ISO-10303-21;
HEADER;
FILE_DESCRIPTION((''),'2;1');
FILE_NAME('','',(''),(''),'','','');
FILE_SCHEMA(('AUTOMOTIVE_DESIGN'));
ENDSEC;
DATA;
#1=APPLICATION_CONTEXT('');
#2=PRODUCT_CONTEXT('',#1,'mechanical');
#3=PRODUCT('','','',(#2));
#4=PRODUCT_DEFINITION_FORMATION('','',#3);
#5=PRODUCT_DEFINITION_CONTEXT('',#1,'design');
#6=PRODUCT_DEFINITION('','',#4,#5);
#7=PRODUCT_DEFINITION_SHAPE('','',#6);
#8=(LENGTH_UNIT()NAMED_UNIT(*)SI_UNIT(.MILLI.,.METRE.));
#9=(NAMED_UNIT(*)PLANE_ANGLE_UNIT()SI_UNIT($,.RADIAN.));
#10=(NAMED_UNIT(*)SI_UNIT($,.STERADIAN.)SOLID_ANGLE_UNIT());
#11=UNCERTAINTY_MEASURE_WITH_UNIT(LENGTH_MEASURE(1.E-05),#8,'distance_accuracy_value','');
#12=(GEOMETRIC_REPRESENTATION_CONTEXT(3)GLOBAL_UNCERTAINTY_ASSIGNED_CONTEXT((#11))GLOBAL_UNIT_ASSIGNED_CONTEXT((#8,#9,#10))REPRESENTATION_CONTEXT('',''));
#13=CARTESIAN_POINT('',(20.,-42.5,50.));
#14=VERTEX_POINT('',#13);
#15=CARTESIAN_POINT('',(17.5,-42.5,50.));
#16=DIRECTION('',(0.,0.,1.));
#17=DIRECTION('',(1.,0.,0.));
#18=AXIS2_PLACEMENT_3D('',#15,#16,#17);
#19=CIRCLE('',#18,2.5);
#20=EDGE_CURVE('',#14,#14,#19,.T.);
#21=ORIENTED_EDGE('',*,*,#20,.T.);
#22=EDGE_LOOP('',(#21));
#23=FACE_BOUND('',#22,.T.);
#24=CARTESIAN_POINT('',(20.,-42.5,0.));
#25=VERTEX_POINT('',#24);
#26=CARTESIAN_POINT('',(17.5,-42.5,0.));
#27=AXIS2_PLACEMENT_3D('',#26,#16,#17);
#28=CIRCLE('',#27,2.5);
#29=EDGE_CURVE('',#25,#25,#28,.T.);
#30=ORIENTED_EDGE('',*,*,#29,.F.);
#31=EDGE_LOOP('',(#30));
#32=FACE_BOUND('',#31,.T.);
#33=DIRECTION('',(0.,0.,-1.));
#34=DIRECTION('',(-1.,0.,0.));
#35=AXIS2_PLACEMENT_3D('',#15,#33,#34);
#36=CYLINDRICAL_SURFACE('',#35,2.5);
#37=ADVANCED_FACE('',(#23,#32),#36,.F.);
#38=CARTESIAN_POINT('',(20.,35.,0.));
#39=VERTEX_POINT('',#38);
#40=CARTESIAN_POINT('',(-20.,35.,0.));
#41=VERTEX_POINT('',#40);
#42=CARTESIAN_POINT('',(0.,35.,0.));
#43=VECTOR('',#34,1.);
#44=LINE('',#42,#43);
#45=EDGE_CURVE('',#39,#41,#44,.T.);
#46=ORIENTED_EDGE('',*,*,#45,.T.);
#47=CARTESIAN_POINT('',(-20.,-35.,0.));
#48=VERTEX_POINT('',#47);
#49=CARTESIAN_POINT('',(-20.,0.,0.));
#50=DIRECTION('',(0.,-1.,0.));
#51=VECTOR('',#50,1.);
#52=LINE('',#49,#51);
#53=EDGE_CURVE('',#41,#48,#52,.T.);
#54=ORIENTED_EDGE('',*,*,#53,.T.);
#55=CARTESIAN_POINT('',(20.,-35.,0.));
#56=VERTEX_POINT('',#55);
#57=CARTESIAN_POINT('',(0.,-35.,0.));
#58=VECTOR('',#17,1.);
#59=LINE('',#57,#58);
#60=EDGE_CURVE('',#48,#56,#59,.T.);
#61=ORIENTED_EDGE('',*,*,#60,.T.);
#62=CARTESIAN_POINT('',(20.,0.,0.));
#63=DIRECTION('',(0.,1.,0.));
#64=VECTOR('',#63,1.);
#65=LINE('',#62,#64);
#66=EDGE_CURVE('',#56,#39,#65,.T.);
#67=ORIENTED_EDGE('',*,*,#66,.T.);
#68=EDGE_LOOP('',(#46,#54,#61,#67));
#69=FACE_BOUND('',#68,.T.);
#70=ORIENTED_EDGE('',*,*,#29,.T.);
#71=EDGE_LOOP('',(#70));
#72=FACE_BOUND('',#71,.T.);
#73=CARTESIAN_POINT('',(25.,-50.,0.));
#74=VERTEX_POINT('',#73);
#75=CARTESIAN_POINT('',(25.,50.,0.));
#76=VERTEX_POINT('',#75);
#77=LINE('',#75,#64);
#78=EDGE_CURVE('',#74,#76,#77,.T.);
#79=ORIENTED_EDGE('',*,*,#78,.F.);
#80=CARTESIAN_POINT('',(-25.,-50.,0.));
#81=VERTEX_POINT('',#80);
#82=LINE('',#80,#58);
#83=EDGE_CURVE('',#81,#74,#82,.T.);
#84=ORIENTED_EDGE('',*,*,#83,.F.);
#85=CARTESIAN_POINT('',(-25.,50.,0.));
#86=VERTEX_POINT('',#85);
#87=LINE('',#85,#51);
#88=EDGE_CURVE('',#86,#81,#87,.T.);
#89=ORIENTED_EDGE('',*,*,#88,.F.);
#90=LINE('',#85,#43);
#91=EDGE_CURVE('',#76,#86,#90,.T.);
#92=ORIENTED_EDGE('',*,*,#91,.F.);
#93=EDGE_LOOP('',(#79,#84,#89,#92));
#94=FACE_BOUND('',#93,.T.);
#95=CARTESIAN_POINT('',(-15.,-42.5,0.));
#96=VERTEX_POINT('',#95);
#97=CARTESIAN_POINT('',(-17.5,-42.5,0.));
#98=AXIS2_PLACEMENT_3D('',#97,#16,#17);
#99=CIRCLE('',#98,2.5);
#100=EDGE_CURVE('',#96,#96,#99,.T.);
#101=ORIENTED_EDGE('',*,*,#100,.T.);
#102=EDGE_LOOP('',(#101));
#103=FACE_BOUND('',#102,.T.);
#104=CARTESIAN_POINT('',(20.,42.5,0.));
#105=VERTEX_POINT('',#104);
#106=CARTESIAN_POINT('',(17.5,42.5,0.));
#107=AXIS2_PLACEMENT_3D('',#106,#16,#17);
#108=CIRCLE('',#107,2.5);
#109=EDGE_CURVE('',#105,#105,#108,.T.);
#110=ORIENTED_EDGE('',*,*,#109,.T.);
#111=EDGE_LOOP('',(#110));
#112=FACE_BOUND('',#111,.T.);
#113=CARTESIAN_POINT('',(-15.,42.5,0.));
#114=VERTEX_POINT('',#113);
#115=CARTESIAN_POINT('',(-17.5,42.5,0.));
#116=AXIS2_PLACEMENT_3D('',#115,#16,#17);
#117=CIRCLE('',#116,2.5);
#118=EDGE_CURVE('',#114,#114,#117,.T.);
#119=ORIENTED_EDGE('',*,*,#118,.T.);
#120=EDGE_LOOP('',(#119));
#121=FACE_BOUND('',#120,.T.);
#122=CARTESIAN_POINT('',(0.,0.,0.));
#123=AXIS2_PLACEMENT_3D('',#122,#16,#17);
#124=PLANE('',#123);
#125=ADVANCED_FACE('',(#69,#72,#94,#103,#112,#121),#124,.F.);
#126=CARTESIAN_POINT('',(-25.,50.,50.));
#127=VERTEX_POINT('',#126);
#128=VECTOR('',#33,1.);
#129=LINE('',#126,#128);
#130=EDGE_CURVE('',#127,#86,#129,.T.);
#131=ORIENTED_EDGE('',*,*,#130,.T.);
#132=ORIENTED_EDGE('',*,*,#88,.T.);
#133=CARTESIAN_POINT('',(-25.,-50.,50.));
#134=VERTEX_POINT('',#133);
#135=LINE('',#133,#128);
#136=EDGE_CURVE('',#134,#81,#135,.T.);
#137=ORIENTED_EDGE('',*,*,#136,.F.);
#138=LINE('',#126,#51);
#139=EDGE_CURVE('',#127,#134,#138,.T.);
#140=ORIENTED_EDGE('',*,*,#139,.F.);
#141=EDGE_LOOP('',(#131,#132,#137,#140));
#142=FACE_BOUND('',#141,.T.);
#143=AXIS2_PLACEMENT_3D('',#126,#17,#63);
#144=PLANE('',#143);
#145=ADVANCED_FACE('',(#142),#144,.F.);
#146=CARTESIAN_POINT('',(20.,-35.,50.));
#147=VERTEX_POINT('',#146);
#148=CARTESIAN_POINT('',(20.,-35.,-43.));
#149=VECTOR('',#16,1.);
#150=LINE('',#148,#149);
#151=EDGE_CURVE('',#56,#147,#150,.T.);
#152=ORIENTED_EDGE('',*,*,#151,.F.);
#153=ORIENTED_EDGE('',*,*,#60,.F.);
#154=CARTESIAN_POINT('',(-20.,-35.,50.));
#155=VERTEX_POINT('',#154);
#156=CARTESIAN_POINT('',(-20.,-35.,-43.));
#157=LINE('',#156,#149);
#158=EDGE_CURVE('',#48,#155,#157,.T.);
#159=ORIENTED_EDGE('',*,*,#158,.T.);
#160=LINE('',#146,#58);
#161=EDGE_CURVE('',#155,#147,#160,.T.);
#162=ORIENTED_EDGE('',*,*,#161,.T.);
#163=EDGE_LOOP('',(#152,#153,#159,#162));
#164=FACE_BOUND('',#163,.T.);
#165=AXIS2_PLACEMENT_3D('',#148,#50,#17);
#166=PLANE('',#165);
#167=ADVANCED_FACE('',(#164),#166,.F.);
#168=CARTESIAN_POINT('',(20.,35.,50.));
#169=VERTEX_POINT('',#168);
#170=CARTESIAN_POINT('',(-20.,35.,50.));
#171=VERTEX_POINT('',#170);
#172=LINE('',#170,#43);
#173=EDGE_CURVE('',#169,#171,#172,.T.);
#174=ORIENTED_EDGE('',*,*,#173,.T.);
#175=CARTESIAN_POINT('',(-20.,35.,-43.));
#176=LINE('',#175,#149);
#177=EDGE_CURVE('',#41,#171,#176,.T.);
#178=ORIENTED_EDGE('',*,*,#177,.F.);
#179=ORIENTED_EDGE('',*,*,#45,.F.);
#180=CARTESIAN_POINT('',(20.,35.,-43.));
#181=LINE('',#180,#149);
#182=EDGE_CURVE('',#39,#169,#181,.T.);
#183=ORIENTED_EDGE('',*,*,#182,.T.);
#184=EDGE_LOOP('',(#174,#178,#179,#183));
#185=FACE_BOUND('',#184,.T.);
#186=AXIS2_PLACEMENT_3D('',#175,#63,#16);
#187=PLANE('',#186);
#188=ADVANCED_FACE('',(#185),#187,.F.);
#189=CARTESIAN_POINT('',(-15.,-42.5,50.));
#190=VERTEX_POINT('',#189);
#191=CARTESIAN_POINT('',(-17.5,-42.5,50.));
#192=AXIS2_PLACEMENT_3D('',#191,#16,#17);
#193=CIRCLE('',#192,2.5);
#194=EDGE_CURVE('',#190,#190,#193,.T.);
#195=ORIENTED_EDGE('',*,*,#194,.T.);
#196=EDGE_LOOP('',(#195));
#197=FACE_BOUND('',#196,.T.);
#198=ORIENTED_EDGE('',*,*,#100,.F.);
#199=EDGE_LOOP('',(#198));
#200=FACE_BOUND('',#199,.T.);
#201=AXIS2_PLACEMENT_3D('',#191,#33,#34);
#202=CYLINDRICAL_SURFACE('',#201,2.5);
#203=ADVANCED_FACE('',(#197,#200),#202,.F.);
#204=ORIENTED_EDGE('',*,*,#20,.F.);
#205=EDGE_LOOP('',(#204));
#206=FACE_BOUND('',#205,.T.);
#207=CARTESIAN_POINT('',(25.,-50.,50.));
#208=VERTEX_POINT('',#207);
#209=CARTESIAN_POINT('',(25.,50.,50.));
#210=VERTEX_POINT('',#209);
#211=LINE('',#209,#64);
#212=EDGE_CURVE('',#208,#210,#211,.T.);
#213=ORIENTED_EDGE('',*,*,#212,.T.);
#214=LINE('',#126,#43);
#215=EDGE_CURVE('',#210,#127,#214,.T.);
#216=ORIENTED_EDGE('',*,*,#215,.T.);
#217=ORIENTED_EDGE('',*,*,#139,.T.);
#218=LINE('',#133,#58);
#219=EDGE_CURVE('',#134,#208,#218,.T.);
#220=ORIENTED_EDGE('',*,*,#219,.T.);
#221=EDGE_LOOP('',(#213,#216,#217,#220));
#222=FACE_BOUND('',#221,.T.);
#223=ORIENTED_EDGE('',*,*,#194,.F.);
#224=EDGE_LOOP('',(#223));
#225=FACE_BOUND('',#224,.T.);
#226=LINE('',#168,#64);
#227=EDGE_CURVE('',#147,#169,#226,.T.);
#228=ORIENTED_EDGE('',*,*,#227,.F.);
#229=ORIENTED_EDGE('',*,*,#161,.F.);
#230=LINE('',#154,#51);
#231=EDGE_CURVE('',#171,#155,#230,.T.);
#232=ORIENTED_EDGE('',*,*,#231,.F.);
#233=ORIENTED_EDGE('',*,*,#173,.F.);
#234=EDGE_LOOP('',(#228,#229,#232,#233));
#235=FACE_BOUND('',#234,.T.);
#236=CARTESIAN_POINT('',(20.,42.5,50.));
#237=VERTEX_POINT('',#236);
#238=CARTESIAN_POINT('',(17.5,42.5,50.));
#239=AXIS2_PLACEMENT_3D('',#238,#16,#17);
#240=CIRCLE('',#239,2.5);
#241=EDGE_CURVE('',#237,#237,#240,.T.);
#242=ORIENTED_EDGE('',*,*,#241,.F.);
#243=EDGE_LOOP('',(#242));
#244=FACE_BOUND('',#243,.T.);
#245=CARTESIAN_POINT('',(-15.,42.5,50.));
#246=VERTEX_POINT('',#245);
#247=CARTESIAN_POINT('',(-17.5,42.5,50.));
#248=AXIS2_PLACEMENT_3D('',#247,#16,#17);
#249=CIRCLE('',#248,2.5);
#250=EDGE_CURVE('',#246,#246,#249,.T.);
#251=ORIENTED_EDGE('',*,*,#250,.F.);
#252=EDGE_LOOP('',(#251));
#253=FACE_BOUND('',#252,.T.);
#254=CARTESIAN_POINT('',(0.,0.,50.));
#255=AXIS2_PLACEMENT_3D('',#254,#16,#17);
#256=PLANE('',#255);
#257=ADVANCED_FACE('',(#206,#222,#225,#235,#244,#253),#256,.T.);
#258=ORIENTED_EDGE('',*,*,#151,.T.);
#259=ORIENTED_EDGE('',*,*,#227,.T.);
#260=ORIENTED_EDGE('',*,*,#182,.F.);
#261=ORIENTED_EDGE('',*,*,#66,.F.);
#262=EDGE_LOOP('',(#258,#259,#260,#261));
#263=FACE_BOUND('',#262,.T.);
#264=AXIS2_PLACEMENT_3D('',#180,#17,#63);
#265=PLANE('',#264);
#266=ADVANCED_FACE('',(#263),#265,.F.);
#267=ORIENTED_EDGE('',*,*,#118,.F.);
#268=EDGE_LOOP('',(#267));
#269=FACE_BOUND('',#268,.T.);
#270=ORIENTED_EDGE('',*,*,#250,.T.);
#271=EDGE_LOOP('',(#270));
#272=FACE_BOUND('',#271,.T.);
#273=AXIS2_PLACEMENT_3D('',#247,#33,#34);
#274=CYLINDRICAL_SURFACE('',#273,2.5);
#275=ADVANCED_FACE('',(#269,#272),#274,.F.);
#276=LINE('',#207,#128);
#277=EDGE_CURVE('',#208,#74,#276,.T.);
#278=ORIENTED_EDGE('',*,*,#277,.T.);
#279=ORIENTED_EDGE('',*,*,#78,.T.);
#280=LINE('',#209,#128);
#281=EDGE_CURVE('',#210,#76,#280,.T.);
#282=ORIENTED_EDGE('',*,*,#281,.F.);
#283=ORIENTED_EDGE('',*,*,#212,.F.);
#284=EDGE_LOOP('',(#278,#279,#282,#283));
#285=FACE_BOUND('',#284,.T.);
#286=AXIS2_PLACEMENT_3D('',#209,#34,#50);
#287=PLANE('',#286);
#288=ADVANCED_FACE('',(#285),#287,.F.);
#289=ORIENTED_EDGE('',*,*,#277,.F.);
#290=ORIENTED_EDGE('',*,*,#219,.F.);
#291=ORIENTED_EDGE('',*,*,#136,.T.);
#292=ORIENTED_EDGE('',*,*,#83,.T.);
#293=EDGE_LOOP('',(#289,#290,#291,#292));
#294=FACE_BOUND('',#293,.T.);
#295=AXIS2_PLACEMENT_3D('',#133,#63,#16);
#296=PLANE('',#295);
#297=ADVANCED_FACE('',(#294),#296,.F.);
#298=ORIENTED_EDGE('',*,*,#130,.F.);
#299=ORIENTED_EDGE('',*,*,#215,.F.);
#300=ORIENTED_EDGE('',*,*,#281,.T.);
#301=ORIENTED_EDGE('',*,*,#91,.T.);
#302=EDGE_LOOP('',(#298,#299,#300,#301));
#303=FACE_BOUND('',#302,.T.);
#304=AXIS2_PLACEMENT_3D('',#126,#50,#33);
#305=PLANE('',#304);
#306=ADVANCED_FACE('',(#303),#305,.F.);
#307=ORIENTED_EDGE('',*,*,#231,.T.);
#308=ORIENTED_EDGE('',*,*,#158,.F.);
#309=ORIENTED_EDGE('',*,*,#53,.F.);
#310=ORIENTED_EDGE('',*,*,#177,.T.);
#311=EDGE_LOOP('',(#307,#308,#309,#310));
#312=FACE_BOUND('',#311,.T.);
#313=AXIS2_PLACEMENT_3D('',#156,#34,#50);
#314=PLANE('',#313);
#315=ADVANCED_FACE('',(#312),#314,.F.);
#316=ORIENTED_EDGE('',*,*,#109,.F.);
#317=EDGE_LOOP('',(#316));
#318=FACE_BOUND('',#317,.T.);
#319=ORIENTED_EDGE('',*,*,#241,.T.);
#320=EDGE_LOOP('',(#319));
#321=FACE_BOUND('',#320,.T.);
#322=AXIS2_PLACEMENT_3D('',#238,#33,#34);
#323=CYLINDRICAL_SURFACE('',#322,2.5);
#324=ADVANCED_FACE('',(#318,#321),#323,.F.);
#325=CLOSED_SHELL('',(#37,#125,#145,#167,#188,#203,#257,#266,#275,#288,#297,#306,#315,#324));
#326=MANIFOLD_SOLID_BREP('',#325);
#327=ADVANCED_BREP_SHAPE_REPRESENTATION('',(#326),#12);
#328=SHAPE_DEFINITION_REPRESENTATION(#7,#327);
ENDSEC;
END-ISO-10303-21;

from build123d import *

# Parameters (mm, degrees)
SKETCH1_W           = 50
SKETCH1_H           = 100
SKETCH1_R           = 2.5
BOSS_EXTRUDE1_DEPTH = 50
SKETCH2_W           = 40
SKETCH2_H           = 70
CUT_EXTRUDE1_DEPTH  = 93


with BuildPart() as part:
    # Sketch1 → Boss-Extrude1 (new body)
    with BuildSketch(Plane.XY):
        Rectangle(SKETCH1_W, SKETCH1_H)
        with Locations((-17.5, 42.5)):
            Circle(SKETCH1_R, mode=Mode.SUBTRACT)
        with Locations((17.5, 42.5)):
            Circle(SKETCH1_R, mode=Mode.SUBTRACT)
        with Locations((-17.5, -42.5)):
            Circle(SKETCH1_R, mode=Mode.SUBTRACT)
        with Locations((17.5, -42.5)):
            Circle(SKETCH1_R, mode=Mode.SUBTRACT)
    extrude(amount=BOSS_EXTRUDE1_DEPTH)

    # Sketch2 → Cut-Extrude1 (cut)
    with BuildSketch(Plane.XY.offset(50)):
        Rectangle(SKETCH2_W, SKETCH2_H)
    extrude(amount=-CUT_EXTRUDE1_DEPTH, mode=Mode.SUBTRACT)


solid = part.part
